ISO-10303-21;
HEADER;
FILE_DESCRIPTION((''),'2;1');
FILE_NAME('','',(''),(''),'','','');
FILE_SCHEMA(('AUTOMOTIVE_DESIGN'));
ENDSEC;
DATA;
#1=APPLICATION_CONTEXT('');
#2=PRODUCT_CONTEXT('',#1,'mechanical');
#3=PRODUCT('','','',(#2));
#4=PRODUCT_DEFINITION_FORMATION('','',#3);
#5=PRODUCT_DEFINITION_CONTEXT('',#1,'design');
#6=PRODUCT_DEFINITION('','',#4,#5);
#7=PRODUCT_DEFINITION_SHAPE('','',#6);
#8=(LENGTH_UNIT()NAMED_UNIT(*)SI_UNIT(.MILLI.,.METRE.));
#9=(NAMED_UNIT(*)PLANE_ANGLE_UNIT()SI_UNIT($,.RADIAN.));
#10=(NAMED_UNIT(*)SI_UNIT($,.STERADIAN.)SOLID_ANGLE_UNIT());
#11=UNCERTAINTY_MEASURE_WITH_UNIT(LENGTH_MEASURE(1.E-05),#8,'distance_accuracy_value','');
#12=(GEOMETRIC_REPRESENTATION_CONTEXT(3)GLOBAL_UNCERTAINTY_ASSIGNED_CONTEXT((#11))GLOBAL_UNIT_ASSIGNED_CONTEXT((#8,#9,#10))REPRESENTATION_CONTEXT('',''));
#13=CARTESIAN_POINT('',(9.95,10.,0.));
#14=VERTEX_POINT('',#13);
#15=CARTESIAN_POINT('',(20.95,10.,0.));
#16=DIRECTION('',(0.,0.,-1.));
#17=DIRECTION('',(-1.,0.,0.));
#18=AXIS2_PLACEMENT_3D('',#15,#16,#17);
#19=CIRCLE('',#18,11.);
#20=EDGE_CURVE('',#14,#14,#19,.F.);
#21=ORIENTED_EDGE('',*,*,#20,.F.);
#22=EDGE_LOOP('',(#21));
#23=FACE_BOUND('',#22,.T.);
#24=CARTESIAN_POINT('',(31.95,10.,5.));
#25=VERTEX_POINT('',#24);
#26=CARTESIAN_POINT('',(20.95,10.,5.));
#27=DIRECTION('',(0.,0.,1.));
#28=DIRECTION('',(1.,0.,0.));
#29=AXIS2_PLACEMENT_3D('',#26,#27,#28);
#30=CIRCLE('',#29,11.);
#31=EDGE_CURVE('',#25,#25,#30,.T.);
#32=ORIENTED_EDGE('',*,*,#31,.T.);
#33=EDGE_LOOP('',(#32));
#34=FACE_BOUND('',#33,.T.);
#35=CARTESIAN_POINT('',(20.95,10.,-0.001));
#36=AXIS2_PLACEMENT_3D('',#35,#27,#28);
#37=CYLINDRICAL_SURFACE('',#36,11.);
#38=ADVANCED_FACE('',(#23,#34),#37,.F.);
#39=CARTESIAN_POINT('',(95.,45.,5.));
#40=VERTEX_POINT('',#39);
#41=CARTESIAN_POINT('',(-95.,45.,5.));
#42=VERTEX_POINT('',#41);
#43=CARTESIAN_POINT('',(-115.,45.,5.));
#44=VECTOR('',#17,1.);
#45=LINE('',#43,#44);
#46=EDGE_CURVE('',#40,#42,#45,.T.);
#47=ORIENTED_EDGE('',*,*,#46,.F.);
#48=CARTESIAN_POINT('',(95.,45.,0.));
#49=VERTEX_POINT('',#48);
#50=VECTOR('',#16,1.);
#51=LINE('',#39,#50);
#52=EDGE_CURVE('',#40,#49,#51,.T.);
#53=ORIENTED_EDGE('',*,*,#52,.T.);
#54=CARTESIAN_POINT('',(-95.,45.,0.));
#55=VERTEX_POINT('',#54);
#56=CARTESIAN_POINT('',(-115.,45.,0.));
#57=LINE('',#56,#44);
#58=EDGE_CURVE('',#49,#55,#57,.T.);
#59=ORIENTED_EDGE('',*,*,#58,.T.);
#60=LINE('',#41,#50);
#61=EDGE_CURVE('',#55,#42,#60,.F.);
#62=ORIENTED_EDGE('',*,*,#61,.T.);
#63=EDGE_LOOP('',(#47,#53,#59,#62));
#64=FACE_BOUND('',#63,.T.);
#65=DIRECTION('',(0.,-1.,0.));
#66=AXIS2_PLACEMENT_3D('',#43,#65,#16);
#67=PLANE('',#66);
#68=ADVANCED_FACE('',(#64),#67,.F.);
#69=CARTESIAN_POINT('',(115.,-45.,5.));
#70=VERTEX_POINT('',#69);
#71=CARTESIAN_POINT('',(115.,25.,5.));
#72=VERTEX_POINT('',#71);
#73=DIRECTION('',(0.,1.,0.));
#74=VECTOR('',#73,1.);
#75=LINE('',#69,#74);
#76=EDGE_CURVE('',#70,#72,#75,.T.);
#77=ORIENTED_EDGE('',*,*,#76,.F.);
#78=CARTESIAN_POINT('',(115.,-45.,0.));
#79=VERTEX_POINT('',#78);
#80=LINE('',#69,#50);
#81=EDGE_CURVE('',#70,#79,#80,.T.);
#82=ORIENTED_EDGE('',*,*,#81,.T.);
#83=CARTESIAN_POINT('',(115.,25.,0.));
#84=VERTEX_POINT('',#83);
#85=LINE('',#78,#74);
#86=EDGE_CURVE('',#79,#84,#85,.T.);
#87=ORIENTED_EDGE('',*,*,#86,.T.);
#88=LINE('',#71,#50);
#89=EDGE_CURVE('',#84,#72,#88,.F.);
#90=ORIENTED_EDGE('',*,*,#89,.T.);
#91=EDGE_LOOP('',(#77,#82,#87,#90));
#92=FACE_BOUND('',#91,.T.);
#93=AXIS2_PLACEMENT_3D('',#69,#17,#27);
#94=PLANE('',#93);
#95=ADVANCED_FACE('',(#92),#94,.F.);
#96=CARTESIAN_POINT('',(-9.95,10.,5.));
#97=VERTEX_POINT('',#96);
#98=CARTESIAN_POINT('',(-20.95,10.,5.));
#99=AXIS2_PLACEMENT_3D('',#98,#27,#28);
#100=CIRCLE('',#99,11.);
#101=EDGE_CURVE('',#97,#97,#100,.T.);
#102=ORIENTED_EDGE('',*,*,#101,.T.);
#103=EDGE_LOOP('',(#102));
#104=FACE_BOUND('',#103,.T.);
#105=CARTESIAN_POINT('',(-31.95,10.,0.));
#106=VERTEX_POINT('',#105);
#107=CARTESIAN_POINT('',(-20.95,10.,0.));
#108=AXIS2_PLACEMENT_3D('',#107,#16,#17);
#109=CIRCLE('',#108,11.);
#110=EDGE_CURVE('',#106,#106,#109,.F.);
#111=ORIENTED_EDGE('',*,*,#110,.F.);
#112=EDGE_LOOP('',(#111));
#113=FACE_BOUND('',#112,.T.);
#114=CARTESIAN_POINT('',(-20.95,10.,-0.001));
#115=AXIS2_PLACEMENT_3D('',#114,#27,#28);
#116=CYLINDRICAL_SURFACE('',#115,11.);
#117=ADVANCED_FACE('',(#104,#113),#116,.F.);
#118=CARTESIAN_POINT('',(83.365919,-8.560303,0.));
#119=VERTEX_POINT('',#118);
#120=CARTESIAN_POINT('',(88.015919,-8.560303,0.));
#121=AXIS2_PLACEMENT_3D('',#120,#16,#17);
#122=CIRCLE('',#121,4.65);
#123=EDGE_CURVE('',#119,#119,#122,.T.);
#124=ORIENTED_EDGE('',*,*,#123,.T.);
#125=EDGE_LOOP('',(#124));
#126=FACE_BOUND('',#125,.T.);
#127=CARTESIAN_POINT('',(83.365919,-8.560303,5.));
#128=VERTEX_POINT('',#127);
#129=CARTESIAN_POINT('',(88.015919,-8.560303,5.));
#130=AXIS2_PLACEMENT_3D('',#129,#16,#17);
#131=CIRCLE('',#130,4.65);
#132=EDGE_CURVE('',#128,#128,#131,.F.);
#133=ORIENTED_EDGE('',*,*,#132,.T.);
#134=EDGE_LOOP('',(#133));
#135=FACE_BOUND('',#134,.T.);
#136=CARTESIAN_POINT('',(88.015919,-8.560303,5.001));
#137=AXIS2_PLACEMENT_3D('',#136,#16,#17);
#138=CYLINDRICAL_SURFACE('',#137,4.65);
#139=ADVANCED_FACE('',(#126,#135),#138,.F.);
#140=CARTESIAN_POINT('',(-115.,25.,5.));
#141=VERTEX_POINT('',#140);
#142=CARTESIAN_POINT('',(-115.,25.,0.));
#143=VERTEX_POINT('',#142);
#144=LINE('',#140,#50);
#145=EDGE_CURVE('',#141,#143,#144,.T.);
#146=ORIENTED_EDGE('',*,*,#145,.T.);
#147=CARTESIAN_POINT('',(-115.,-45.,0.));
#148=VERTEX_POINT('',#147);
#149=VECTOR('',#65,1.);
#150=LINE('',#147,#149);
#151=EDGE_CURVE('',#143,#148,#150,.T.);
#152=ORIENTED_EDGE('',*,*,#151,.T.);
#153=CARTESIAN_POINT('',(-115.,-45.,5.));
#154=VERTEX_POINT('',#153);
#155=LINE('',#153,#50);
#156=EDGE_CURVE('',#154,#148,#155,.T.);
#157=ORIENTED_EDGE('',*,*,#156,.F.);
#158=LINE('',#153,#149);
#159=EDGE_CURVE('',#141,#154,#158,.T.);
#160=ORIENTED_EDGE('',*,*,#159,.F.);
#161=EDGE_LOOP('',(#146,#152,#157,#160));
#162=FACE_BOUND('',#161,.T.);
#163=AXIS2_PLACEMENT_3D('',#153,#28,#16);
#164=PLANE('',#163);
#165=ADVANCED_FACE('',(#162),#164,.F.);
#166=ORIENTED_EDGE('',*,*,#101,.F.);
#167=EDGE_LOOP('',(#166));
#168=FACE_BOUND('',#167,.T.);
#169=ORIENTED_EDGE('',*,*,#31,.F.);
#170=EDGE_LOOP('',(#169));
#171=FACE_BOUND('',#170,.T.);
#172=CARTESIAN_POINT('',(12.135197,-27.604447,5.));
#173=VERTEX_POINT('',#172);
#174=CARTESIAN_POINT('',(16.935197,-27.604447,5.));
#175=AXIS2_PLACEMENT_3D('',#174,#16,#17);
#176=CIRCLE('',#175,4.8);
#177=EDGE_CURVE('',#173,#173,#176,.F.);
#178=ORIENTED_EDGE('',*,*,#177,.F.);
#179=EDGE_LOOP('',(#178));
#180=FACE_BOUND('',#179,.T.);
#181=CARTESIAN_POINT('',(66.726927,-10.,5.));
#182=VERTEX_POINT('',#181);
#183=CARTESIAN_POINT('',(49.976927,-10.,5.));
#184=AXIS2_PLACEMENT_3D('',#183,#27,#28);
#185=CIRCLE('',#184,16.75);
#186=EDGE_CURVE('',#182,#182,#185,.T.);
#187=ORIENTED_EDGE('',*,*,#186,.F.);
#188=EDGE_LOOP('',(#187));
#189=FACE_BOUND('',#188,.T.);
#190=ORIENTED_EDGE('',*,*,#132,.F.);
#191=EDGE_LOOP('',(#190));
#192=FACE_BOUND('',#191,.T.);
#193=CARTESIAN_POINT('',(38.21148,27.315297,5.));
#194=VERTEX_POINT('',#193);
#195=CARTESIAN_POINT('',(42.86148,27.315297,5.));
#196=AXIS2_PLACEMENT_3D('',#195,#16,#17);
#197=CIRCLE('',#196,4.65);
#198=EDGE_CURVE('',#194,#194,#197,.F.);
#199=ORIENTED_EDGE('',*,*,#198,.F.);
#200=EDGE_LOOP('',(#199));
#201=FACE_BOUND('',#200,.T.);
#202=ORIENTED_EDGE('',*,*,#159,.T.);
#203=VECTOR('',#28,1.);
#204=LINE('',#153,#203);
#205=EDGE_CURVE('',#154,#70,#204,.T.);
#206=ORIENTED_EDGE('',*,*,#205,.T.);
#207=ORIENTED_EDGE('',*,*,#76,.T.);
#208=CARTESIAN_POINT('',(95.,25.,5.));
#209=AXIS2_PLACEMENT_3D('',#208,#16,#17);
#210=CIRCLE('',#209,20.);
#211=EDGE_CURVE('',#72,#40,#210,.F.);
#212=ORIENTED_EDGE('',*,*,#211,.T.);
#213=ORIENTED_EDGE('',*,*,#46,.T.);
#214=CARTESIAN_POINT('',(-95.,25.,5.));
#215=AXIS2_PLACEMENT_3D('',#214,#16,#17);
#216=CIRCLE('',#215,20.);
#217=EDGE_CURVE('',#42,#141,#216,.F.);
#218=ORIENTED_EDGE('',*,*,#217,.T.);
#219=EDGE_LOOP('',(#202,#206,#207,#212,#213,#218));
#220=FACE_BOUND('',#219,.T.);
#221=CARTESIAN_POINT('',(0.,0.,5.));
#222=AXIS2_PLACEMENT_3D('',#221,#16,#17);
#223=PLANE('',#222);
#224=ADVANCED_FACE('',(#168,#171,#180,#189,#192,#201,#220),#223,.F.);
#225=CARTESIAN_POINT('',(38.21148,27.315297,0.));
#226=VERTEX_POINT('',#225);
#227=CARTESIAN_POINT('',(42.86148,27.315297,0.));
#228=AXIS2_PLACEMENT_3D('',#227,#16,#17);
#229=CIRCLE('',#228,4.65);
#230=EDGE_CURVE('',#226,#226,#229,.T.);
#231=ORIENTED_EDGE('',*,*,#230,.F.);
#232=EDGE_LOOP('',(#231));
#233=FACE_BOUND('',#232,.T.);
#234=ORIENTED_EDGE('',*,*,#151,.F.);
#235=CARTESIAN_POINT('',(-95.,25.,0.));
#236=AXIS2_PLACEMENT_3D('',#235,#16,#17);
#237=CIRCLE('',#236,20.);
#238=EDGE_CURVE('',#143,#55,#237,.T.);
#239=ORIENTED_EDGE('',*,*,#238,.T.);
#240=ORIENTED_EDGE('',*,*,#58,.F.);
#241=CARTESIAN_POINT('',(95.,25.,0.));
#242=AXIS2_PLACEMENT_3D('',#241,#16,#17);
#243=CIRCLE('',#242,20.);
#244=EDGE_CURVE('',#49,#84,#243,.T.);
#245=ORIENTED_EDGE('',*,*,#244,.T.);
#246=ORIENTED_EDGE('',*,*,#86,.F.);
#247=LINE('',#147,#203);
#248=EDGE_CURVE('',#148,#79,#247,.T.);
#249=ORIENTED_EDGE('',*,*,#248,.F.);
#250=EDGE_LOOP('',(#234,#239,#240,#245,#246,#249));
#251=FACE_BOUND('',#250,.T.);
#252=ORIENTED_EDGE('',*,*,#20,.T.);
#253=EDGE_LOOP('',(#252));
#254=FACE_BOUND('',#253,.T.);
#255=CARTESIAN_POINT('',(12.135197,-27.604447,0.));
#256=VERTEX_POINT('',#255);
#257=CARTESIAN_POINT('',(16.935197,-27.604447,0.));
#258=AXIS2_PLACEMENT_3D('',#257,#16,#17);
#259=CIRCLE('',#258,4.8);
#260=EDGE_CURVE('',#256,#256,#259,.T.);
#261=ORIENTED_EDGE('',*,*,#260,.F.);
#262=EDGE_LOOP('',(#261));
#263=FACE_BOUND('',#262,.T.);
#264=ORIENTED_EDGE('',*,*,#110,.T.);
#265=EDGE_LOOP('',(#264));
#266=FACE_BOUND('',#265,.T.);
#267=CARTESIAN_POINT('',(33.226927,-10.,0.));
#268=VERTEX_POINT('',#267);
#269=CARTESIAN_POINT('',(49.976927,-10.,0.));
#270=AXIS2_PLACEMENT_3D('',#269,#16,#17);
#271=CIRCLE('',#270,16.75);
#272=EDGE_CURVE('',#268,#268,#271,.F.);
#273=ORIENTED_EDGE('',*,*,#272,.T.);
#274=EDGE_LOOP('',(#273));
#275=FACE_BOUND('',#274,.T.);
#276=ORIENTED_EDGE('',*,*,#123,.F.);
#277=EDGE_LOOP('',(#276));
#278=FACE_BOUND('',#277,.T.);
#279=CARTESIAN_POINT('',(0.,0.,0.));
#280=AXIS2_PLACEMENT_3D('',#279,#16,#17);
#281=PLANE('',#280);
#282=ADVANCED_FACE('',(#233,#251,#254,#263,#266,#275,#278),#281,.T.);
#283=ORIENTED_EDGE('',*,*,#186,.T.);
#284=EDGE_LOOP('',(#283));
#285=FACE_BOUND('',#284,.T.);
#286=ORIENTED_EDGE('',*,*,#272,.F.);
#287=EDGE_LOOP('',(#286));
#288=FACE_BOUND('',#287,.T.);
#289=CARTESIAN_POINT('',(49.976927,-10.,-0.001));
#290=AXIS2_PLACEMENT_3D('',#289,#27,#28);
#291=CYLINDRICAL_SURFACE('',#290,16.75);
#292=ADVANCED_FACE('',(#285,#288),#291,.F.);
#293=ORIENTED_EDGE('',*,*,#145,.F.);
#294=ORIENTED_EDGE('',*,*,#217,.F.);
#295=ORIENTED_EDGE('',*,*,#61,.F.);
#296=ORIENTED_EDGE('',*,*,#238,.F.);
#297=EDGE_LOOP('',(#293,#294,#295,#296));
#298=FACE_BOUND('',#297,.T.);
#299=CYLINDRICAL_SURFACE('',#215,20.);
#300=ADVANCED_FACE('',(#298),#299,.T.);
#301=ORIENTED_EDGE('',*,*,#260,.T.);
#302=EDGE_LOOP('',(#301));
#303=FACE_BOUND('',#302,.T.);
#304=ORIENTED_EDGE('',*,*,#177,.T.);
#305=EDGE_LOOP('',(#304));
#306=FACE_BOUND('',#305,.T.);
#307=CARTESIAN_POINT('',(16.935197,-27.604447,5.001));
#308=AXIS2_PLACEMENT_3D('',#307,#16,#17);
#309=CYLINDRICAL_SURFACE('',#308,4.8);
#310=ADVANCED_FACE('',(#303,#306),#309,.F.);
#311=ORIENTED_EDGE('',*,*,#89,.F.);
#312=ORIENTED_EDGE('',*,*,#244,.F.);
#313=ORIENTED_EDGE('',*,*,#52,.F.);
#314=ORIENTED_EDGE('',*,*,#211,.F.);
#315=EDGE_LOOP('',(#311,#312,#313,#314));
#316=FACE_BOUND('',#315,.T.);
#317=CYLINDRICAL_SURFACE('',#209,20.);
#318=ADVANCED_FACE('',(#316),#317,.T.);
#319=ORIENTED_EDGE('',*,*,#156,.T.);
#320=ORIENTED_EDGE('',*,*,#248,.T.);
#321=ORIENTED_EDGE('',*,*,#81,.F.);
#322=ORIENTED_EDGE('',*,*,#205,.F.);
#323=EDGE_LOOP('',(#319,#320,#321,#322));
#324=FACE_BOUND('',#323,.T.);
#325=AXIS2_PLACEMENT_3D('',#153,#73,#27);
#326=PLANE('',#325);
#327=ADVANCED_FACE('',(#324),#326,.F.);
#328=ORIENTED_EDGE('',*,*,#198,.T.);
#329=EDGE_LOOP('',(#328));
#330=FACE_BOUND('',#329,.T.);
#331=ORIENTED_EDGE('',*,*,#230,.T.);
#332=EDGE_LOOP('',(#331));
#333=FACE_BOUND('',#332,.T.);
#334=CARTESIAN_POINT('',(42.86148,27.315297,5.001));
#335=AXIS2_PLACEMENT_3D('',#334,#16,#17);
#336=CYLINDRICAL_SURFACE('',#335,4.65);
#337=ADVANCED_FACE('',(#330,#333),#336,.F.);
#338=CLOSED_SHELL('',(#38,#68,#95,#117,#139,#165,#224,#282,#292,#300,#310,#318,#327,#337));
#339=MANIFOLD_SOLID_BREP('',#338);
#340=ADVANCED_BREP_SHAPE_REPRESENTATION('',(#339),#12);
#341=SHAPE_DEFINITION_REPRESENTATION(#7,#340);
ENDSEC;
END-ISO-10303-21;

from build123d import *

# Parameters (mm, degrees)
SKETCH1_W           = 230
SKETCH1_H           = 90
BOSS_EXTRUDE1_DEPTH = 5
FILLET1_R           = 20
CUT_EXTRUDE1_REACH  = 125.592
SKETCH2_R           = 11
SKETCH2_R_2         = 16.75
CUT_EXTRUDE2_REACH  = 125.592
SKETCH3_R           = 4.65
SKETCH3_R_2         = 4.8


with BuildPart() as part:
    # Sketch1 → Boss-Extrude1 (new body)
    with BuildSketch(Plane.XY):
        Rectangle(SKETCH1_W, SKETCH1_H)
    extrude(amount=BOSS_EXTRUDE1_DEPTH)

    # Fillet1
    fillet1_edges = [part.edges().sort_by_distance(p)[0] for p in [
        (-115, 45, 2.5),
        (115, 45, 2.5),
    ]]
    fillet(fillet1_edges, radius=FILLET1_R)

    # Sketch2 → Cut-Extrude1 (cut, up to next)
    with BuildSketch(Plane.XY.offset(5), mode=Mode.PRIVATE) as cut_extrude1_sk1:
        with Locations((-20.95, 10)):
            Circle(SKETCH2_R)
    cut_extrude1_tool1 = extrude(cut_extrude1_sk1.sketch, amount=-CUT_EXTRUDE1_REACH, mode=Mode.PRIVATE) & part.part
    # Sketch2 → Cut-Extrude1 (cut, up to next)
    with BuildSketch(Plane.XY.offset(5), mode=Mode.PRIVATE) as cut_extrude1_sk2:
        with Locations((20.95, 10)):
            Circle(SKETCH2_R)
    cut_extrude1_tool2 = extrude(cut_extrude1_sk2.sketch, amount=-CUT_EXTRUDE1_REACH, mode=Mode.PRIVATE) & part.part
    # Sketch2 → Cut-Extrude1 (cut, up to next)
    with BuildSketch(Plane.XY.offset(5), mode=Mode.PRIVATE) as cut_extrude1_sk3:
        with Locations((49.976927154, -10)):
            Circle(SKETCH2_R_2)
    cut_extrude1_tool3 = extrude(cut_extrude1_sk3.sketch, amount=-CUT_EXTRUDE1_REACH, mode=Mode.PRIVATE) & part.part
    add(cut_extrude1_tool1.solids().sort_by_distance((-20.95, 10, 5))[0], mode=Mode.SUBTRACT)
    add(cut_extrude1_tool2.solids().sort_by_distance((20.95, 10, 5))[0], mode=Mode.SUBTRACT)
    add(cut_extrude1_tool3.solids().sort_by_distance((49.976927, -10, 5))[0], mode=Mode.SUBTRACT)

    # Sketch3 → Cut-Extrude2 (cut, up to next)
    with BuildSketch(Plane(origin=(0, 0, 0), x_dir=(-1, 0, 0), z_dir=(0, 0, -1)), mode=Mode.PRIVATE) as cut_extrude2_sk1:
        with Locations((-42.861480484, 27.315297382)):
            Circle(SKETCH3_R)
    cut_extrude2_tool1 = extrude(cut_extrude2_sk1.sketch, amount=-CUT_EXTRUDE2_REACH, mode=Mode.PRIVATE) & part.part
    # Sketch3 → Cut-Extrude2 (cut, up to next)
    with BuildSketch(Plane(origin=(0, 0, 0), x_dir=(-1, 0, 0), z_dir=(0, 0, -1)), mode=Mode.PRIVATE) as cut_extrude2_sk2:
        with Locations((-88.015918911, -8.560303387)):
            Circle(SKETCH3_R)
    cut_extrude2_tool2 = extrude(cut_extrude2_sk2.sketch, amount=-CUT_EXTRUDE2_REACH, mode=Mode.PRIVATE) & part.part
    # Sketch3 → Cut-Extrude2 (cut, up to next)
    with BuildSketch(Plane(origin=(0, 0, 0), x_dir=(-1, 0, 0), z_dir=(0, 0, -1)), mode=Mode.PRIVATE) as cut_extrude2_sk3:
        with Locations((-16.935196723, -27.604446885)):
            Circle(SKETCH3_R_2)
    cut_extrude2_tool3 = extrude(cut_extrude2_sk3.sketch, amount=-CUT_EXTRUDE2_REACH, mode=Mode.PRIVATE) & part.part
    add(cut_extrude2_tool1.solids().sort_by_distance((42.86148, 27.315297, 0))[0], mode=Mode.SUBTRACT)
    add(cut_extrude2_tool2.solids().sort_by_distance((88.015919, -8.560303, 0))[0], mode=Mode.SUBTRACT)
    add(cut_extrude2_tool3.solids().sort_by_distance((16.935197, -27.604447, 0))[0], mode=Mode.SUBTRACT)


solid = part.part
